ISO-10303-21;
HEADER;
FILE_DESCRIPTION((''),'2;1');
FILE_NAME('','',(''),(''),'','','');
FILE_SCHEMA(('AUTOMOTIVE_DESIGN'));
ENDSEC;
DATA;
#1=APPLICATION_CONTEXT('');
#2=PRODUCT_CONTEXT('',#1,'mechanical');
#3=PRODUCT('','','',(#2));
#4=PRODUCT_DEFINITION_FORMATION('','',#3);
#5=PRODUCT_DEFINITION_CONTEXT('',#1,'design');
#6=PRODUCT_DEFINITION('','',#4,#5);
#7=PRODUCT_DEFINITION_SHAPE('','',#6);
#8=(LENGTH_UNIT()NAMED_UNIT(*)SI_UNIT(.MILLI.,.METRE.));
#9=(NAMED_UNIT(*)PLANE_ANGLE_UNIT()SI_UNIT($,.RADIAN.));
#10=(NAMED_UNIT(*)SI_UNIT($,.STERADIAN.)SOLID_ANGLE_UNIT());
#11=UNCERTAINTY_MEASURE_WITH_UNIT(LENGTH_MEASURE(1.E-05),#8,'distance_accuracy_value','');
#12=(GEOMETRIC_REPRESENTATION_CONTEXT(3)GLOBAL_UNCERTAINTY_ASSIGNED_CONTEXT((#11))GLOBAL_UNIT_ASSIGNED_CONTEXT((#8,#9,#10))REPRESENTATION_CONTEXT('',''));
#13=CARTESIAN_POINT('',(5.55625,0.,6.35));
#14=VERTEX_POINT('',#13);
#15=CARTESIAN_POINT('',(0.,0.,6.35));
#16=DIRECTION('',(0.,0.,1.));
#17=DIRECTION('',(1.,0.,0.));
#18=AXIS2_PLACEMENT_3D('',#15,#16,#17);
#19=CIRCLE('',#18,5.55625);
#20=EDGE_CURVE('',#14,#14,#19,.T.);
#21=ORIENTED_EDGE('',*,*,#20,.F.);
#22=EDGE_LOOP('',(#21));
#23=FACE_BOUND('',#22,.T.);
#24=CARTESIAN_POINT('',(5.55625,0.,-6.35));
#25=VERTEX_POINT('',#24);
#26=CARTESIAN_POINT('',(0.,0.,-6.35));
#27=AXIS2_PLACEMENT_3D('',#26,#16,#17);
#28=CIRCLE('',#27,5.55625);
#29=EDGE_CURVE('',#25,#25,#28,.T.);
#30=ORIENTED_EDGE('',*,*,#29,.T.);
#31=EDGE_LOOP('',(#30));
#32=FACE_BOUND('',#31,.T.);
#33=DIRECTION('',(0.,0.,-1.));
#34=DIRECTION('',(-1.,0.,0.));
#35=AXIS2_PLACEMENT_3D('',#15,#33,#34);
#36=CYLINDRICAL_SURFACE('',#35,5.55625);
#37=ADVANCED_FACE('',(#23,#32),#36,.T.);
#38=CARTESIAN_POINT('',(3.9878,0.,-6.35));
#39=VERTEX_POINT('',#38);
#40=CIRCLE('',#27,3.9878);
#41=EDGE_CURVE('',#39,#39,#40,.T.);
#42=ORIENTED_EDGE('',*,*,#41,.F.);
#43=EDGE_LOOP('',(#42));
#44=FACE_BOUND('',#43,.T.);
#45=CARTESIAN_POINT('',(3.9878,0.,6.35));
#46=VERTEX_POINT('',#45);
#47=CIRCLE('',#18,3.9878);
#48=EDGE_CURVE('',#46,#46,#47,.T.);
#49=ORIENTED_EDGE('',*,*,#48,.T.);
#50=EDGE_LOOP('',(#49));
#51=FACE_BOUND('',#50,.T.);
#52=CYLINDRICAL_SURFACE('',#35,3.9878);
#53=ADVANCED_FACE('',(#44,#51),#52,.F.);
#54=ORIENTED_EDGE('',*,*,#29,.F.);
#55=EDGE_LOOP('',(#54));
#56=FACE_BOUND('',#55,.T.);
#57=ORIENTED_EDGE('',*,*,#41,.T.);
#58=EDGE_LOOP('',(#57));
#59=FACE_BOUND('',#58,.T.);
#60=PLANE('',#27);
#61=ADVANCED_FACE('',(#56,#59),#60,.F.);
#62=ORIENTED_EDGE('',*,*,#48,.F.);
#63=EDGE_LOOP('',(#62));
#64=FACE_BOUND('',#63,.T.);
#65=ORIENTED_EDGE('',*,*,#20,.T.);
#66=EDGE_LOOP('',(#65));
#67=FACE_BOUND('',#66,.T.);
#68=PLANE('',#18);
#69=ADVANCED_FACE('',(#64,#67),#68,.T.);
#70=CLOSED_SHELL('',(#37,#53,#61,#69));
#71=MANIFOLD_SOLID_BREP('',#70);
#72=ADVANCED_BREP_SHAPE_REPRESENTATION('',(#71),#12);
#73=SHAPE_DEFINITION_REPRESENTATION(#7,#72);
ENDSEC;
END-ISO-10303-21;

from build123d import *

# Parameters (mm, degrees)
SKETCH1_R      = 5.55625
SKETCH1_R_2    = 3.9878
EXTRUDE1_DEPTH = 6.35


with BuildPart() as part:
    # Sketch1 → Extrude1 (new body, symmetric)
    with BuildSketch(Plane.XY):
        Circle(SKETCH1_R)
        Circle(SKETCH1_R_2, mode=Mode.SUBTRACT)
    extrude(amount=EXTRUDE1_DEPTH, both=True)


solid = part.part
